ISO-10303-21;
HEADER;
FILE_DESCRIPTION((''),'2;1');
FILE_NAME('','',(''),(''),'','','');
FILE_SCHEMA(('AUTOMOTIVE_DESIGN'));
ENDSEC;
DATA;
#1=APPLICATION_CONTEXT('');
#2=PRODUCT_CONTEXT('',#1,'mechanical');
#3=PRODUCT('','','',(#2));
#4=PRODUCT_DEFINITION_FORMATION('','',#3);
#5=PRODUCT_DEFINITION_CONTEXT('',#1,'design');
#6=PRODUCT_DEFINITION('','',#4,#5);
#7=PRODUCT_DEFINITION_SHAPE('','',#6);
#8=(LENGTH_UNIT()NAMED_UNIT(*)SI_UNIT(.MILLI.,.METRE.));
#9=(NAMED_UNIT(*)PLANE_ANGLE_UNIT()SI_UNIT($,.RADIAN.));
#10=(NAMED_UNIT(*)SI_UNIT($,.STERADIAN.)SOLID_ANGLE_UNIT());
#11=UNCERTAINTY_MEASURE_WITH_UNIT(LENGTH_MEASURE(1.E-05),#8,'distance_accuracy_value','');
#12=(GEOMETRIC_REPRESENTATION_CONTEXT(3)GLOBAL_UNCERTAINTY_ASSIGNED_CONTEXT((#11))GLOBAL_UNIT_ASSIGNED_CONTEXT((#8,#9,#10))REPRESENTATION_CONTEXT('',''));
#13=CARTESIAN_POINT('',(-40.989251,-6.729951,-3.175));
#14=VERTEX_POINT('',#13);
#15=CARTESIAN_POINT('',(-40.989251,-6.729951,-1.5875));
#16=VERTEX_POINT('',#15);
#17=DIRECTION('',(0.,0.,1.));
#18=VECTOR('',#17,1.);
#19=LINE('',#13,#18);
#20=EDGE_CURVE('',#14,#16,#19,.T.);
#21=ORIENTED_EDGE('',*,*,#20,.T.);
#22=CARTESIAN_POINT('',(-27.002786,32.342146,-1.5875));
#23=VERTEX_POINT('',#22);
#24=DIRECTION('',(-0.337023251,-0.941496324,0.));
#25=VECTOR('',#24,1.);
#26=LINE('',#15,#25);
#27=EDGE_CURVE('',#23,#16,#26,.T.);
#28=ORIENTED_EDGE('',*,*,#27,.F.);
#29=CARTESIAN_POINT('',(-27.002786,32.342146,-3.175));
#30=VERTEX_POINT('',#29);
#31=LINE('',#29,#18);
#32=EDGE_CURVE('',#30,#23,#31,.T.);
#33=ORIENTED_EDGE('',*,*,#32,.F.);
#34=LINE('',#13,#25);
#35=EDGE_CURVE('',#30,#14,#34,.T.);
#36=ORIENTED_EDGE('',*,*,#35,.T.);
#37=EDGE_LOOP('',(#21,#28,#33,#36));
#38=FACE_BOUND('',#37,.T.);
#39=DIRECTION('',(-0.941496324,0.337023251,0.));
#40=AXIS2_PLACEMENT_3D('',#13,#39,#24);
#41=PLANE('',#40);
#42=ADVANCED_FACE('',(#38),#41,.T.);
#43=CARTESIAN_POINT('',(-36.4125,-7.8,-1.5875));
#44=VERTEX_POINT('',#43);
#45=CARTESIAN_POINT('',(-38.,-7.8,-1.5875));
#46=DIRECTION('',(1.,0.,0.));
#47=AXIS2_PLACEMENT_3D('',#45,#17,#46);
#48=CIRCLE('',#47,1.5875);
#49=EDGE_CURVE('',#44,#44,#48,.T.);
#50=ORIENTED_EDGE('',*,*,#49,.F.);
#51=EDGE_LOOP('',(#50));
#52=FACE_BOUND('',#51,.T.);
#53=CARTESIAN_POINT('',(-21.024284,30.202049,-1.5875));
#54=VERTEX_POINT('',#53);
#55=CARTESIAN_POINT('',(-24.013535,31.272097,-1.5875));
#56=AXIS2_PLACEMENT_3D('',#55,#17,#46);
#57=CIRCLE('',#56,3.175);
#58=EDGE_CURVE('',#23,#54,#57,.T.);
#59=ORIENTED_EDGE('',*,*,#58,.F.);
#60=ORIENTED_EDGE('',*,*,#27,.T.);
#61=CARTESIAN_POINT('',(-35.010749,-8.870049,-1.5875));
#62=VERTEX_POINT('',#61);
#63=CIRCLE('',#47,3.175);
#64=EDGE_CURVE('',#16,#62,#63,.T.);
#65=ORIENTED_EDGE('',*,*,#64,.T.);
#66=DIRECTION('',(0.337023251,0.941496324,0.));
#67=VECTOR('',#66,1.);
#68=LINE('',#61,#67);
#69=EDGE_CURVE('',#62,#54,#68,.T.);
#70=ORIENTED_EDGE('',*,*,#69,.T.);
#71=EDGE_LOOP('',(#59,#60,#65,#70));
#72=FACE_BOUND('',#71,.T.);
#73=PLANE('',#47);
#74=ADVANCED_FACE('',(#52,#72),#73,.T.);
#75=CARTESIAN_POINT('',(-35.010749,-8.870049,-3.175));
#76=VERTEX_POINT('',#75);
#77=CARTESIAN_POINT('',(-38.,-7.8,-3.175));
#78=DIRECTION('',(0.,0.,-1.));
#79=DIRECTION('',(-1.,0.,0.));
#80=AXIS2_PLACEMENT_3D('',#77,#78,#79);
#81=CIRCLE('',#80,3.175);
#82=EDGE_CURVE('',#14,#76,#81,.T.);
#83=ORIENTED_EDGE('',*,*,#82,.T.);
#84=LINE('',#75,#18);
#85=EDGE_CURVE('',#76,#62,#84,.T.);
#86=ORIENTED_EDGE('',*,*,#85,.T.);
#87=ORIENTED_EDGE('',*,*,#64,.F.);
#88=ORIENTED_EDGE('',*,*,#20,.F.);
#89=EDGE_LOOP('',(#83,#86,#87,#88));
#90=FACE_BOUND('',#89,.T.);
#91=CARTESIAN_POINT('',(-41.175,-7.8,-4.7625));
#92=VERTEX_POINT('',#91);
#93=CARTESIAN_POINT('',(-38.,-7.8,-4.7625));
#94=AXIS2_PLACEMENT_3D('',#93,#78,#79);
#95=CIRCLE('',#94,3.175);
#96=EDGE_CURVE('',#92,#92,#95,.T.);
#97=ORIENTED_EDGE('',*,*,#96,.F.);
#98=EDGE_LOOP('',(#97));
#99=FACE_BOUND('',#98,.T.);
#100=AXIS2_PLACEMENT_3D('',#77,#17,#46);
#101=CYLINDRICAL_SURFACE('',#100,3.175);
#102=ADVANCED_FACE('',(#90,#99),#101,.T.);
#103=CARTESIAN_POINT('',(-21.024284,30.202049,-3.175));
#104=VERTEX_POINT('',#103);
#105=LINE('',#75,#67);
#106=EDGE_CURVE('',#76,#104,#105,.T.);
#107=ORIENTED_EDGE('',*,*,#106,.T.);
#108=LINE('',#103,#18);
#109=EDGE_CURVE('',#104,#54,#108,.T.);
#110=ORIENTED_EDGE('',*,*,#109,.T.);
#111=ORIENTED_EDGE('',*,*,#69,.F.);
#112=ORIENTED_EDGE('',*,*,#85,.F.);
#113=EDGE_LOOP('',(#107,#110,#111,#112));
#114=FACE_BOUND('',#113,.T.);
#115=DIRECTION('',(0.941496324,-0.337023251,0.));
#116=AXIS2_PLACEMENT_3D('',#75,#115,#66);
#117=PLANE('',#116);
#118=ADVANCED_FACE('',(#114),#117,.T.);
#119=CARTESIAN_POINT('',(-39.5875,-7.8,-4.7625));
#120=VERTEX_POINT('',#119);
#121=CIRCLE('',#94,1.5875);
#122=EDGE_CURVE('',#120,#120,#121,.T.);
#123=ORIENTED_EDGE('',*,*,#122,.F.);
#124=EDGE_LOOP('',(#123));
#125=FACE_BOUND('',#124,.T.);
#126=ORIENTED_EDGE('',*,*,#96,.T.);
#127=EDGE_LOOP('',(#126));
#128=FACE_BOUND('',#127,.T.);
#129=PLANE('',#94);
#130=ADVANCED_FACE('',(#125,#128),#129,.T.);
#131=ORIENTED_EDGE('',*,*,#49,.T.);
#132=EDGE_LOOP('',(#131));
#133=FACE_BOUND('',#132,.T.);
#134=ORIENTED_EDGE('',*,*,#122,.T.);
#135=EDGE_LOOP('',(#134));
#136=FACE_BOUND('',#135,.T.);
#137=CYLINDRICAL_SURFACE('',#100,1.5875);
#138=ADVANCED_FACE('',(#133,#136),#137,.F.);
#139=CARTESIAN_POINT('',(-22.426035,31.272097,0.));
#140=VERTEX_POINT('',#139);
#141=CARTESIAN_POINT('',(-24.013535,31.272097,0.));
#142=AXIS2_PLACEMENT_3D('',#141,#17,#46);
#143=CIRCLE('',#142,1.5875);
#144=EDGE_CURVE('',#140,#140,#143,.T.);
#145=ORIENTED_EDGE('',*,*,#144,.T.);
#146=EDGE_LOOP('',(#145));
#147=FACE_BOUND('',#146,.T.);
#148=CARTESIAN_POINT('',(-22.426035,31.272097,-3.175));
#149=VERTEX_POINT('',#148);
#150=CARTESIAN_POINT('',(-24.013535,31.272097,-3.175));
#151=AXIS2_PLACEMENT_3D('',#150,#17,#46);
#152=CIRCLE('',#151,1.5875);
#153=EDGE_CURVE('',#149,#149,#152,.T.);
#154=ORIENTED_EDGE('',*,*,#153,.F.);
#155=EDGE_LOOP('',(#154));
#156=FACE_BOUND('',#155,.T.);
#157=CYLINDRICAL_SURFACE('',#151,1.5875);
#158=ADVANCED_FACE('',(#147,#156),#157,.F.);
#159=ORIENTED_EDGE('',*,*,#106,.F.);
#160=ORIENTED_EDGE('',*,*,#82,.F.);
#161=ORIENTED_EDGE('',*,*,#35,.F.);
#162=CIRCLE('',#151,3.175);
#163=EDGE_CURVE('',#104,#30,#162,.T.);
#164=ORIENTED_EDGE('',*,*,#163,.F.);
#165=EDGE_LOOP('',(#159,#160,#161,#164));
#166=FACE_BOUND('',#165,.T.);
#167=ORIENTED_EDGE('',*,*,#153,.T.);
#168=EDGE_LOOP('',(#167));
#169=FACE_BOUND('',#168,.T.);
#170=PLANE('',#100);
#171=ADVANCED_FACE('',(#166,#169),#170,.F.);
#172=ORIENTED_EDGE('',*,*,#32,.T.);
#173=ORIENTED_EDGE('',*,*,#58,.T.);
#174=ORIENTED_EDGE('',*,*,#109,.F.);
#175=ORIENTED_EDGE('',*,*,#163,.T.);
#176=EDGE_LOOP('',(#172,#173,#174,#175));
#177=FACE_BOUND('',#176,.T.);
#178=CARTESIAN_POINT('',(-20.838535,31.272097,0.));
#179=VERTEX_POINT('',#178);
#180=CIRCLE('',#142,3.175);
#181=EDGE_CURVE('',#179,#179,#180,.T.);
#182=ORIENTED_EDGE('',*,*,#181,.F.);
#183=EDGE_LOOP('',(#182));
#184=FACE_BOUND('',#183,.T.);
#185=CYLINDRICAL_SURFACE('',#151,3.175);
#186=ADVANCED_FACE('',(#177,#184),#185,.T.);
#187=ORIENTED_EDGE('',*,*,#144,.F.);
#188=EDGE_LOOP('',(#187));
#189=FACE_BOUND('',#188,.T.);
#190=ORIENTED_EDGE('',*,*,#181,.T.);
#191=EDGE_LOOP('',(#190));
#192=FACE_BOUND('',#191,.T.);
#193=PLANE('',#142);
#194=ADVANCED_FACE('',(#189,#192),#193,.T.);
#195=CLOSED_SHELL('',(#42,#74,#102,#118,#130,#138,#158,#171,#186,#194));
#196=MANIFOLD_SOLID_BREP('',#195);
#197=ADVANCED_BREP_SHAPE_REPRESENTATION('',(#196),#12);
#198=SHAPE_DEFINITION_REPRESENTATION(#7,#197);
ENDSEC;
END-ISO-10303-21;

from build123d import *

# Parameters (mm, degrees)
BOSS_EXTRUDE1_START = -1.5875
SKETCH1_R           = 1.5875
BOSS_EXTRUDE1_DEPTH = 1.5875
BOSS_EXTRUDE2_START = 1.5875
SKETCH3_R           = 3.175
SKETCH3_R_2         = 1.5875
BOSS_EXTRUDE2_DEPTH = 1.5875
SKETCH4_R           = 3.175
SKETCH4_R_2         = 1.5875
BOSS_EXTRUDE3_DEPTH = 1.5875


with BuildPart() as part:
    # Sketch1 → Boss-Extrude1 (new body)
    with BuildSketch(Plane.XY.offset(BOSS_EXTRUDE1_START)):
        with BuildLine():
            Line((-40.989250829, -6.729951179), (-27.002785927, 32.342146276))
            ThreePointArc((-27.002785927, 32.342146276), (-22.943486276, 34.261348284), (-21.024284268, 30.202048634))
            Line((-21.024284268, 30.202048634), (-35.010749171, -8.870048821))
            ThreePointArc((-35.010749171, -8.870048821), (-39.070048821, -10.789250829), (-40.989250829, -6.729951179))
        make_face()
        with Locations((-24.013535097, 31.272097455)):
            Circle(SKETCH1_R, mode=Mode.SUBTRACT)
        with Locations((-38, -7.8)):
            Circle(SKETCH1_R, mode=Mode.SUBTRACT)
    extrude(amount=-BOSS_EXTRUDE1_DEPTH)

    # Sketch3 → Boss-Extrude2 (add)
    with BuildSketch(Plane.XY.offset(-1.5875).offset(BOSS_EXTRUDE2_START)):
        with Locations((-24.013535097, 31.272097455)):
            Circle(SKETCH3_R)
        with Locations((-24.013535097, 31.272097455)):
            Circle(SKETCH3_R_2, mode=Mode.SUBTRACT)
    extrude(amount=-BOSS_EXTRUDE2_DEPTH)

    # Sketch4 → Boss-Extrude3 (add)
    with BuildSketch(Plane(origin=(0, 0, -3.175), x_dir=(-1, 0, 0), z_dir=(0, 0, -1))):
        with Locations(Location((38, -7.8, 0), (0, 0, 199.69561783))):
            Circle(SKETCH4_R)
        with Locations(Location((38, -7.8, 0), (0, 0, 180))):
            Circle(SKETCH4_R_2, mode=Mode.SUBTRACT)
    extrude(amount=BOSS_EXTRUDE3_DEPTH)


solid = part.part
